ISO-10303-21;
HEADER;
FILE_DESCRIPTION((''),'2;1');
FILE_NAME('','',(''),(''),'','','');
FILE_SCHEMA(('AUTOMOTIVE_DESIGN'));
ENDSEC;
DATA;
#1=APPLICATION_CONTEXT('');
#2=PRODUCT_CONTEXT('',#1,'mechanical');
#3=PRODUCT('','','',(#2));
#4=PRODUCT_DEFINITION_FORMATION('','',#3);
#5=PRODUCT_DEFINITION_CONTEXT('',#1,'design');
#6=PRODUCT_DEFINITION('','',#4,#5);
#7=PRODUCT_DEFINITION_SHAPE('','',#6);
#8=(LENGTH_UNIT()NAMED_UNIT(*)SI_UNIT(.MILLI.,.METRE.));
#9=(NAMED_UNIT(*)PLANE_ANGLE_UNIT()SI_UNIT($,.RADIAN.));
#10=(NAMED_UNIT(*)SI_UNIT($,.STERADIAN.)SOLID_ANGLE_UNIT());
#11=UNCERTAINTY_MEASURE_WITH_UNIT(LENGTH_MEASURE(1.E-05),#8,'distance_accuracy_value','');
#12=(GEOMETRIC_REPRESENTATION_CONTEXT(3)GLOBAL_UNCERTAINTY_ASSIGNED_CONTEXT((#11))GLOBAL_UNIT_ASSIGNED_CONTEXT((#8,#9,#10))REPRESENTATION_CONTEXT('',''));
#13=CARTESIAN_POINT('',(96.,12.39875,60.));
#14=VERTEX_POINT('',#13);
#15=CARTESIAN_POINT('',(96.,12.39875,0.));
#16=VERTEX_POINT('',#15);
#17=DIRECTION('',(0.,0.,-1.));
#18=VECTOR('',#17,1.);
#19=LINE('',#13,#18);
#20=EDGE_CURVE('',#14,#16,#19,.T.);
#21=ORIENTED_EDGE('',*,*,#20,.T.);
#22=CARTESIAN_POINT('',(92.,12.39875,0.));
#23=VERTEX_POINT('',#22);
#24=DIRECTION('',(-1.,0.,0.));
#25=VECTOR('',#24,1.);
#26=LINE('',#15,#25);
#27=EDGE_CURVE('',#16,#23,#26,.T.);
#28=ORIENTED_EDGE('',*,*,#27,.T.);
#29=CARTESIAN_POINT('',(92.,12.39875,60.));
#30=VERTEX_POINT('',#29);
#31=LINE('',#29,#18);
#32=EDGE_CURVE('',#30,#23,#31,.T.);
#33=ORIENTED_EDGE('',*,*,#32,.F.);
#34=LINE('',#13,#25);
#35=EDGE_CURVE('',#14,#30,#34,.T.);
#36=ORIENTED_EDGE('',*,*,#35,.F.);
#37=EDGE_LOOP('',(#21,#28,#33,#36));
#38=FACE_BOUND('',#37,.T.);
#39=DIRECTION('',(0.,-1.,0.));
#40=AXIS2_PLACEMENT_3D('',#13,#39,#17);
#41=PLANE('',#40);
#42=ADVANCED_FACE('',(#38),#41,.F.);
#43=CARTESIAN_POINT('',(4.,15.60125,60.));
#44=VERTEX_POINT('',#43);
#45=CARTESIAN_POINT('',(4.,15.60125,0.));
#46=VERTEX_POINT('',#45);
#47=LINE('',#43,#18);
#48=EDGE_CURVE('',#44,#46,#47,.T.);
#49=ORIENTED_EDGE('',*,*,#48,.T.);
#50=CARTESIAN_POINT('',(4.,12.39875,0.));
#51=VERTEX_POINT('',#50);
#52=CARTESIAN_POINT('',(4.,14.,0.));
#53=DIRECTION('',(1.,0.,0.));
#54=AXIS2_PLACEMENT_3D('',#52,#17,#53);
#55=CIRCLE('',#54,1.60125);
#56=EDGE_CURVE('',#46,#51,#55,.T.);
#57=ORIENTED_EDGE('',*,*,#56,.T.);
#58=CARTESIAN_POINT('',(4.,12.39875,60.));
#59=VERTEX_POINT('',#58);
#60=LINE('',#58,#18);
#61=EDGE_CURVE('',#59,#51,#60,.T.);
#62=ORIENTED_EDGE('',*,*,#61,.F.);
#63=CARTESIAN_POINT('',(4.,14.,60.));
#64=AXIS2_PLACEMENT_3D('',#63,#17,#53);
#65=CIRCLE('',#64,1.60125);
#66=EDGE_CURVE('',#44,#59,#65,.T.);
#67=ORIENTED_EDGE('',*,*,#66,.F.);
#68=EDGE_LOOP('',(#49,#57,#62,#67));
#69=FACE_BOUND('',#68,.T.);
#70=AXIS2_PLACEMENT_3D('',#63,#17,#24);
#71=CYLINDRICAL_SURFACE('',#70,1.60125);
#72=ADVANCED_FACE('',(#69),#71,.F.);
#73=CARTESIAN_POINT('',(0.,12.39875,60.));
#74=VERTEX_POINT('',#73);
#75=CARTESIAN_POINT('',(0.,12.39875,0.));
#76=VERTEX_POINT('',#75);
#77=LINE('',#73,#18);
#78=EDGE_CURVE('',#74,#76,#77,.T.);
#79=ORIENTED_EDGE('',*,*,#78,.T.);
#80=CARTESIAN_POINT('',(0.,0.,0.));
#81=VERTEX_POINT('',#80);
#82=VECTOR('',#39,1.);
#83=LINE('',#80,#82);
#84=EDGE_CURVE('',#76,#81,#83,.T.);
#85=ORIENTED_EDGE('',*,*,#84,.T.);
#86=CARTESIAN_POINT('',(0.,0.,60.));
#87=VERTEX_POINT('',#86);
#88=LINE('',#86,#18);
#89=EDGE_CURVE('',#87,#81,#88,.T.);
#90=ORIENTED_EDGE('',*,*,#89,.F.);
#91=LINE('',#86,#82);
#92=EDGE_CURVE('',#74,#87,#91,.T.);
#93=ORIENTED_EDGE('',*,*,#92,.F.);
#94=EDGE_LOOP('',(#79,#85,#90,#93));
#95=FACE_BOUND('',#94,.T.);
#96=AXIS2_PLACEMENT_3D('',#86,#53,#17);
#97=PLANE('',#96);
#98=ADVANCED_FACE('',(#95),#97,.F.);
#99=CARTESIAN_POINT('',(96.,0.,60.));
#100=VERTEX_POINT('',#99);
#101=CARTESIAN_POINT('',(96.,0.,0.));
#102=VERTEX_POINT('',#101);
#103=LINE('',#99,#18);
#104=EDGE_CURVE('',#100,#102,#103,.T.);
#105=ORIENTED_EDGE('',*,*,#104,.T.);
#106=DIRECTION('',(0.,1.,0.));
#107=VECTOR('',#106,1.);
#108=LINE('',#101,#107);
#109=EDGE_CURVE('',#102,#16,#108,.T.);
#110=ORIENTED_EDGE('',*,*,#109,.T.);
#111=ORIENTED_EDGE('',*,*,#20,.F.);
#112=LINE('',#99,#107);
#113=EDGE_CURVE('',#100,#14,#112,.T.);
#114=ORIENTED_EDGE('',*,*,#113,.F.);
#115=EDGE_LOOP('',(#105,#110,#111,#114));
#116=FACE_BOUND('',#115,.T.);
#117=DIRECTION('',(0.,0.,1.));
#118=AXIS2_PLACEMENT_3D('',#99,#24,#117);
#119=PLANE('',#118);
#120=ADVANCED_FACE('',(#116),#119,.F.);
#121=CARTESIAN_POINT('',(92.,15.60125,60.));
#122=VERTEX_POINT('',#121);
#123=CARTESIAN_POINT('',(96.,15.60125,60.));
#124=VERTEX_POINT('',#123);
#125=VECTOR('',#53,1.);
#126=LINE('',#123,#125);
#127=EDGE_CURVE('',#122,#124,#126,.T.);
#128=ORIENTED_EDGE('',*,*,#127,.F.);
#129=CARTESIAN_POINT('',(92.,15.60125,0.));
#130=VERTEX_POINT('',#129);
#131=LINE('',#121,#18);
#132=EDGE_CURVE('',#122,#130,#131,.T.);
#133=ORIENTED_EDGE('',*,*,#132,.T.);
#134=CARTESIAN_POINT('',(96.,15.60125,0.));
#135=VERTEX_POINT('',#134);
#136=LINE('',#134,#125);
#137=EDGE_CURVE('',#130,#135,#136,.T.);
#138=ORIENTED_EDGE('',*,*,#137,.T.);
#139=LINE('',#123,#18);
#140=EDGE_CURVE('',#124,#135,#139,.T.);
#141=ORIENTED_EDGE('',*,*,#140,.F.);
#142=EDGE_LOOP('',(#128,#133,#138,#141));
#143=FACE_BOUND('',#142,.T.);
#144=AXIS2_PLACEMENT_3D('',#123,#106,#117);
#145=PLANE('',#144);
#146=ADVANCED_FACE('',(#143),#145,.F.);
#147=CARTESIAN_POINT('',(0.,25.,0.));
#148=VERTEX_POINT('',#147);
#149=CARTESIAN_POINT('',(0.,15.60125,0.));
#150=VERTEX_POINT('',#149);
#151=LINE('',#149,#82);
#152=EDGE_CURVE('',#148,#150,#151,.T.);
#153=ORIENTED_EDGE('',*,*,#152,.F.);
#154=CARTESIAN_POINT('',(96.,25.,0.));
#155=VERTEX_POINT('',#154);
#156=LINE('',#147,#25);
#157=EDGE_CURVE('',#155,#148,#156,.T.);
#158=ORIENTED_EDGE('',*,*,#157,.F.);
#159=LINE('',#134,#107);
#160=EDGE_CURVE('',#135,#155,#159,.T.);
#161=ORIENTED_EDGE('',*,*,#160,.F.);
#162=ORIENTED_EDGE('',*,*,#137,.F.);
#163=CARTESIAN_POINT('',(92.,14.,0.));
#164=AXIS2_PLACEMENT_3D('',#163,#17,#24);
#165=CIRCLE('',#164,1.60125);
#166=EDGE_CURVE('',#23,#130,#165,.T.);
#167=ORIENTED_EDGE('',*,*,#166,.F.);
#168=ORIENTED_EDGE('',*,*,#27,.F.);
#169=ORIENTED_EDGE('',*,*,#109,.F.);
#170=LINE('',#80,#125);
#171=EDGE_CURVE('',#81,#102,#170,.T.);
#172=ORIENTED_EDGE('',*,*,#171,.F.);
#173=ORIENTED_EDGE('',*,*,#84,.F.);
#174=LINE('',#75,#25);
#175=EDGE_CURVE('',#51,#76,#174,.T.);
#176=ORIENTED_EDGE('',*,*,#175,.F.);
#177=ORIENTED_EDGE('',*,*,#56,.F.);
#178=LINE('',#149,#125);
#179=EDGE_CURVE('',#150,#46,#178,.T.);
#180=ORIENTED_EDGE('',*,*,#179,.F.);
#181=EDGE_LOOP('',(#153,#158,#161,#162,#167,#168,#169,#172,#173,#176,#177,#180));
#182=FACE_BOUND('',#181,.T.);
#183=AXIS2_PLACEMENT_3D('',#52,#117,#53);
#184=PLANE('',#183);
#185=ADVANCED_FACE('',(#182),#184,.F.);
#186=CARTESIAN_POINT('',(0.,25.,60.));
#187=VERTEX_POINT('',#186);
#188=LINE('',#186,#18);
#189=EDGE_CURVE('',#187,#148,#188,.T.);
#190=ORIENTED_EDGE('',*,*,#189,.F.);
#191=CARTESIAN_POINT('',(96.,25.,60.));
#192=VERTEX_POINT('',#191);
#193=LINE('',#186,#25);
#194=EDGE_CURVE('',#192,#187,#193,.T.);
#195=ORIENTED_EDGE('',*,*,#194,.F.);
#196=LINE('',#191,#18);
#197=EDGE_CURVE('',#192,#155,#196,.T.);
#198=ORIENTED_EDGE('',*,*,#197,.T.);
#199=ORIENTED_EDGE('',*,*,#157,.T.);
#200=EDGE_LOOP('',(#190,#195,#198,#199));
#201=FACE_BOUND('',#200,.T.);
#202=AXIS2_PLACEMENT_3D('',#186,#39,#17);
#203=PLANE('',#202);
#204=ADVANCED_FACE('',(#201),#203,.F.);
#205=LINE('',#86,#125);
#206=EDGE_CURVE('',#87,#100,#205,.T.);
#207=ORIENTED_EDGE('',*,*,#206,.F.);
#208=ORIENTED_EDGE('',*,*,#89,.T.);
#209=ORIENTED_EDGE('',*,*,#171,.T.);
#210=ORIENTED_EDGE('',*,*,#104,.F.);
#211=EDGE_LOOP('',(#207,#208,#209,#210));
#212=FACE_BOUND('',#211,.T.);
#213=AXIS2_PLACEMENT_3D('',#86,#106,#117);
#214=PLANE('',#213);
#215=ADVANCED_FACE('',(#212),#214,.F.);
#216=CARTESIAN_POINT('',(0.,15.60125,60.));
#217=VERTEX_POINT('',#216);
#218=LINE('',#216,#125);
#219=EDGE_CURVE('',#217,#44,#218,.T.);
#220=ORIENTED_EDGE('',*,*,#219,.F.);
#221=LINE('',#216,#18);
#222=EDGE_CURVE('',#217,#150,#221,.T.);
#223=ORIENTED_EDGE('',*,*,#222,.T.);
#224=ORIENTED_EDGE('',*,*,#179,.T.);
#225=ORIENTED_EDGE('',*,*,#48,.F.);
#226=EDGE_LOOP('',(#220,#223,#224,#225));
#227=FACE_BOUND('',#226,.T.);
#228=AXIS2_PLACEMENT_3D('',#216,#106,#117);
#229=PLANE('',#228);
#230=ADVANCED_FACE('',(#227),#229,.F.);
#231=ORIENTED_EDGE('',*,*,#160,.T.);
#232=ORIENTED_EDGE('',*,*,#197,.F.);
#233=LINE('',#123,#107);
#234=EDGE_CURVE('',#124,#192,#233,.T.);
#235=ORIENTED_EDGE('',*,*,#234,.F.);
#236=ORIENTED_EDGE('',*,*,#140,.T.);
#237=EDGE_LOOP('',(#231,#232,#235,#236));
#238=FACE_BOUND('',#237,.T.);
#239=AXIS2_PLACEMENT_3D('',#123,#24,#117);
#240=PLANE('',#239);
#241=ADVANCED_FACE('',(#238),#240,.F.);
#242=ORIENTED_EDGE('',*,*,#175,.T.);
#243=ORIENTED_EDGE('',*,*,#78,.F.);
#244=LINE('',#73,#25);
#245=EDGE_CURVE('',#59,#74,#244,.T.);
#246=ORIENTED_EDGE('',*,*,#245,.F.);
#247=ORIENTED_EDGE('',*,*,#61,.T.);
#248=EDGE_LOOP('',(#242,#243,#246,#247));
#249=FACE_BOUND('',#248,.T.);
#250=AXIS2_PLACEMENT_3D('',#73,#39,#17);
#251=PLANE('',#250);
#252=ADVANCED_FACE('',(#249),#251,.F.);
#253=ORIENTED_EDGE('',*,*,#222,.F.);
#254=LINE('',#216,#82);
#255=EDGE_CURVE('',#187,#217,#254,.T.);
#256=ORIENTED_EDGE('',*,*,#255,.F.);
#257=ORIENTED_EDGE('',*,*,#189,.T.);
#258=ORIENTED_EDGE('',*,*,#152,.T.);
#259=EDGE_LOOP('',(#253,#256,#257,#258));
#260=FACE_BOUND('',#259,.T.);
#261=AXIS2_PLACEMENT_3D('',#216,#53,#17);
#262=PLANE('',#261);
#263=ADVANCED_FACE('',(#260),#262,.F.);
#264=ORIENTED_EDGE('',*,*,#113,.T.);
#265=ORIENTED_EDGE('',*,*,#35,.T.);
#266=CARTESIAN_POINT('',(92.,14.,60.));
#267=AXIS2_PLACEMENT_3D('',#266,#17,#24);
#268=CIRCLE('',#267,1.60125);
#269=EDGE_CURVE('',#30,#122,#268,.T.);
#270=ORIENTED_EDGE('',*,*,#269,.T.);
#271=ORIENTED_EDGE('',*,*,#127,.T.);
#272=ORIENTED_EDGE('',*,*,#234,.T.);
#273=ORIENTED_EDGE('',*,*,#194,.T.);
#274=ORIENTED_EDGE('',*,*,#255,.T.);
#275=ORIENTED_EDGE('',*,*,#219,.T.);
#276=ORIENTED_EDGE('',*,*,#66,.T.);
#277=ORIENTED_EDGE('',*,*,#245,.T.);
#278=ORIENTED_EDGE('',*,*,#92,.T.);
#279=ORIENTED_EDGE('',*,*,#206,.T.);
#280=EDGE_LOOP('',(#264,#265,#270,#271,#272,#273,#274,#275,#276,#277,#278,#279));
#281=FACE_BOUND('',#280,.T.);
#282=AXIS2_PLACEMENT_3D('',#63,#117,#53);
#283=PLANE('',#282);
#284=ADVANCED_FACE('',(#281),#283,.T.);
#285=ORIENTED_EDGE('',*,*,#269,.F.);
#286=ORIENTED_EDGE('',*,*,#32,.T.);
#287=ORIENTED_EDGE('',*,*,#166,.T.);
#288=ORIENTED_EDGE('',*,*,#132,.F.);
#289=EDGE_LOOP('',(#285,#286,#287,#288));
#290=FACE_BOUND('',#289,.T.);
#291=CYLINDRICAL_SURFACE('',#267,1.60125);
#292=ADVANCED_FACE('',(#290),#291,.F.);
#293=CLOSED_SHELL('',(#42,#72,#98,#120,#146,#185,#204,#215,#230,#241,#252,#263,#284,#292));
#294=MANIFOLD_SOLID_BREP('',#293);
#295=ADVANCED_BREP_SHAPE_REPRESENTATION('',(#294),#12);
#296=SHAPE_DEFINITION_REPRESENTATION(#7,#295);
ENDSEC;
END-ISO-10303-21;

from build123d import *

# Parameters (mm, degrees)
ESTRUSIONE_ESTRUSIONE1_DEPTH = 60


with BuildPart() as part:
    # Schizzo1 → Estrusione-Estrusione1 (new body)
    with BuildSketch(Plane.XY):
        with BuildLine():
            Line((0, 0), (96, 0))
            Line((96, 0), (96, 12.398749749))
            Line((96, 12.398749749), (92, 12.398749749))
            ThreePointArc((92, 12.398749749), (90.398749749, 14), (92, 15.601250251))
            Line((92, 15.601250251), (96, 15.601250251))
            Line((96, 15.601250251), (96, 25))
            Line((96, 25), (0, 25))
            Line((0, 25), (0, 15.601250251))
            Line((0, 15.601250251), (4, 15.601250251))
            ThreePointArc((4, 15.601250251), (5.601250251, 14), (4, 12.398749749))
            Line((4, 12.398749749), (0, 12.398749749))
            Line((0, 12.398749749), (0, 0))
        make_face()
    extrude(amount=ESTRUSIONE_ESTRUSIONE1_DEPTH)


solid = part.part
